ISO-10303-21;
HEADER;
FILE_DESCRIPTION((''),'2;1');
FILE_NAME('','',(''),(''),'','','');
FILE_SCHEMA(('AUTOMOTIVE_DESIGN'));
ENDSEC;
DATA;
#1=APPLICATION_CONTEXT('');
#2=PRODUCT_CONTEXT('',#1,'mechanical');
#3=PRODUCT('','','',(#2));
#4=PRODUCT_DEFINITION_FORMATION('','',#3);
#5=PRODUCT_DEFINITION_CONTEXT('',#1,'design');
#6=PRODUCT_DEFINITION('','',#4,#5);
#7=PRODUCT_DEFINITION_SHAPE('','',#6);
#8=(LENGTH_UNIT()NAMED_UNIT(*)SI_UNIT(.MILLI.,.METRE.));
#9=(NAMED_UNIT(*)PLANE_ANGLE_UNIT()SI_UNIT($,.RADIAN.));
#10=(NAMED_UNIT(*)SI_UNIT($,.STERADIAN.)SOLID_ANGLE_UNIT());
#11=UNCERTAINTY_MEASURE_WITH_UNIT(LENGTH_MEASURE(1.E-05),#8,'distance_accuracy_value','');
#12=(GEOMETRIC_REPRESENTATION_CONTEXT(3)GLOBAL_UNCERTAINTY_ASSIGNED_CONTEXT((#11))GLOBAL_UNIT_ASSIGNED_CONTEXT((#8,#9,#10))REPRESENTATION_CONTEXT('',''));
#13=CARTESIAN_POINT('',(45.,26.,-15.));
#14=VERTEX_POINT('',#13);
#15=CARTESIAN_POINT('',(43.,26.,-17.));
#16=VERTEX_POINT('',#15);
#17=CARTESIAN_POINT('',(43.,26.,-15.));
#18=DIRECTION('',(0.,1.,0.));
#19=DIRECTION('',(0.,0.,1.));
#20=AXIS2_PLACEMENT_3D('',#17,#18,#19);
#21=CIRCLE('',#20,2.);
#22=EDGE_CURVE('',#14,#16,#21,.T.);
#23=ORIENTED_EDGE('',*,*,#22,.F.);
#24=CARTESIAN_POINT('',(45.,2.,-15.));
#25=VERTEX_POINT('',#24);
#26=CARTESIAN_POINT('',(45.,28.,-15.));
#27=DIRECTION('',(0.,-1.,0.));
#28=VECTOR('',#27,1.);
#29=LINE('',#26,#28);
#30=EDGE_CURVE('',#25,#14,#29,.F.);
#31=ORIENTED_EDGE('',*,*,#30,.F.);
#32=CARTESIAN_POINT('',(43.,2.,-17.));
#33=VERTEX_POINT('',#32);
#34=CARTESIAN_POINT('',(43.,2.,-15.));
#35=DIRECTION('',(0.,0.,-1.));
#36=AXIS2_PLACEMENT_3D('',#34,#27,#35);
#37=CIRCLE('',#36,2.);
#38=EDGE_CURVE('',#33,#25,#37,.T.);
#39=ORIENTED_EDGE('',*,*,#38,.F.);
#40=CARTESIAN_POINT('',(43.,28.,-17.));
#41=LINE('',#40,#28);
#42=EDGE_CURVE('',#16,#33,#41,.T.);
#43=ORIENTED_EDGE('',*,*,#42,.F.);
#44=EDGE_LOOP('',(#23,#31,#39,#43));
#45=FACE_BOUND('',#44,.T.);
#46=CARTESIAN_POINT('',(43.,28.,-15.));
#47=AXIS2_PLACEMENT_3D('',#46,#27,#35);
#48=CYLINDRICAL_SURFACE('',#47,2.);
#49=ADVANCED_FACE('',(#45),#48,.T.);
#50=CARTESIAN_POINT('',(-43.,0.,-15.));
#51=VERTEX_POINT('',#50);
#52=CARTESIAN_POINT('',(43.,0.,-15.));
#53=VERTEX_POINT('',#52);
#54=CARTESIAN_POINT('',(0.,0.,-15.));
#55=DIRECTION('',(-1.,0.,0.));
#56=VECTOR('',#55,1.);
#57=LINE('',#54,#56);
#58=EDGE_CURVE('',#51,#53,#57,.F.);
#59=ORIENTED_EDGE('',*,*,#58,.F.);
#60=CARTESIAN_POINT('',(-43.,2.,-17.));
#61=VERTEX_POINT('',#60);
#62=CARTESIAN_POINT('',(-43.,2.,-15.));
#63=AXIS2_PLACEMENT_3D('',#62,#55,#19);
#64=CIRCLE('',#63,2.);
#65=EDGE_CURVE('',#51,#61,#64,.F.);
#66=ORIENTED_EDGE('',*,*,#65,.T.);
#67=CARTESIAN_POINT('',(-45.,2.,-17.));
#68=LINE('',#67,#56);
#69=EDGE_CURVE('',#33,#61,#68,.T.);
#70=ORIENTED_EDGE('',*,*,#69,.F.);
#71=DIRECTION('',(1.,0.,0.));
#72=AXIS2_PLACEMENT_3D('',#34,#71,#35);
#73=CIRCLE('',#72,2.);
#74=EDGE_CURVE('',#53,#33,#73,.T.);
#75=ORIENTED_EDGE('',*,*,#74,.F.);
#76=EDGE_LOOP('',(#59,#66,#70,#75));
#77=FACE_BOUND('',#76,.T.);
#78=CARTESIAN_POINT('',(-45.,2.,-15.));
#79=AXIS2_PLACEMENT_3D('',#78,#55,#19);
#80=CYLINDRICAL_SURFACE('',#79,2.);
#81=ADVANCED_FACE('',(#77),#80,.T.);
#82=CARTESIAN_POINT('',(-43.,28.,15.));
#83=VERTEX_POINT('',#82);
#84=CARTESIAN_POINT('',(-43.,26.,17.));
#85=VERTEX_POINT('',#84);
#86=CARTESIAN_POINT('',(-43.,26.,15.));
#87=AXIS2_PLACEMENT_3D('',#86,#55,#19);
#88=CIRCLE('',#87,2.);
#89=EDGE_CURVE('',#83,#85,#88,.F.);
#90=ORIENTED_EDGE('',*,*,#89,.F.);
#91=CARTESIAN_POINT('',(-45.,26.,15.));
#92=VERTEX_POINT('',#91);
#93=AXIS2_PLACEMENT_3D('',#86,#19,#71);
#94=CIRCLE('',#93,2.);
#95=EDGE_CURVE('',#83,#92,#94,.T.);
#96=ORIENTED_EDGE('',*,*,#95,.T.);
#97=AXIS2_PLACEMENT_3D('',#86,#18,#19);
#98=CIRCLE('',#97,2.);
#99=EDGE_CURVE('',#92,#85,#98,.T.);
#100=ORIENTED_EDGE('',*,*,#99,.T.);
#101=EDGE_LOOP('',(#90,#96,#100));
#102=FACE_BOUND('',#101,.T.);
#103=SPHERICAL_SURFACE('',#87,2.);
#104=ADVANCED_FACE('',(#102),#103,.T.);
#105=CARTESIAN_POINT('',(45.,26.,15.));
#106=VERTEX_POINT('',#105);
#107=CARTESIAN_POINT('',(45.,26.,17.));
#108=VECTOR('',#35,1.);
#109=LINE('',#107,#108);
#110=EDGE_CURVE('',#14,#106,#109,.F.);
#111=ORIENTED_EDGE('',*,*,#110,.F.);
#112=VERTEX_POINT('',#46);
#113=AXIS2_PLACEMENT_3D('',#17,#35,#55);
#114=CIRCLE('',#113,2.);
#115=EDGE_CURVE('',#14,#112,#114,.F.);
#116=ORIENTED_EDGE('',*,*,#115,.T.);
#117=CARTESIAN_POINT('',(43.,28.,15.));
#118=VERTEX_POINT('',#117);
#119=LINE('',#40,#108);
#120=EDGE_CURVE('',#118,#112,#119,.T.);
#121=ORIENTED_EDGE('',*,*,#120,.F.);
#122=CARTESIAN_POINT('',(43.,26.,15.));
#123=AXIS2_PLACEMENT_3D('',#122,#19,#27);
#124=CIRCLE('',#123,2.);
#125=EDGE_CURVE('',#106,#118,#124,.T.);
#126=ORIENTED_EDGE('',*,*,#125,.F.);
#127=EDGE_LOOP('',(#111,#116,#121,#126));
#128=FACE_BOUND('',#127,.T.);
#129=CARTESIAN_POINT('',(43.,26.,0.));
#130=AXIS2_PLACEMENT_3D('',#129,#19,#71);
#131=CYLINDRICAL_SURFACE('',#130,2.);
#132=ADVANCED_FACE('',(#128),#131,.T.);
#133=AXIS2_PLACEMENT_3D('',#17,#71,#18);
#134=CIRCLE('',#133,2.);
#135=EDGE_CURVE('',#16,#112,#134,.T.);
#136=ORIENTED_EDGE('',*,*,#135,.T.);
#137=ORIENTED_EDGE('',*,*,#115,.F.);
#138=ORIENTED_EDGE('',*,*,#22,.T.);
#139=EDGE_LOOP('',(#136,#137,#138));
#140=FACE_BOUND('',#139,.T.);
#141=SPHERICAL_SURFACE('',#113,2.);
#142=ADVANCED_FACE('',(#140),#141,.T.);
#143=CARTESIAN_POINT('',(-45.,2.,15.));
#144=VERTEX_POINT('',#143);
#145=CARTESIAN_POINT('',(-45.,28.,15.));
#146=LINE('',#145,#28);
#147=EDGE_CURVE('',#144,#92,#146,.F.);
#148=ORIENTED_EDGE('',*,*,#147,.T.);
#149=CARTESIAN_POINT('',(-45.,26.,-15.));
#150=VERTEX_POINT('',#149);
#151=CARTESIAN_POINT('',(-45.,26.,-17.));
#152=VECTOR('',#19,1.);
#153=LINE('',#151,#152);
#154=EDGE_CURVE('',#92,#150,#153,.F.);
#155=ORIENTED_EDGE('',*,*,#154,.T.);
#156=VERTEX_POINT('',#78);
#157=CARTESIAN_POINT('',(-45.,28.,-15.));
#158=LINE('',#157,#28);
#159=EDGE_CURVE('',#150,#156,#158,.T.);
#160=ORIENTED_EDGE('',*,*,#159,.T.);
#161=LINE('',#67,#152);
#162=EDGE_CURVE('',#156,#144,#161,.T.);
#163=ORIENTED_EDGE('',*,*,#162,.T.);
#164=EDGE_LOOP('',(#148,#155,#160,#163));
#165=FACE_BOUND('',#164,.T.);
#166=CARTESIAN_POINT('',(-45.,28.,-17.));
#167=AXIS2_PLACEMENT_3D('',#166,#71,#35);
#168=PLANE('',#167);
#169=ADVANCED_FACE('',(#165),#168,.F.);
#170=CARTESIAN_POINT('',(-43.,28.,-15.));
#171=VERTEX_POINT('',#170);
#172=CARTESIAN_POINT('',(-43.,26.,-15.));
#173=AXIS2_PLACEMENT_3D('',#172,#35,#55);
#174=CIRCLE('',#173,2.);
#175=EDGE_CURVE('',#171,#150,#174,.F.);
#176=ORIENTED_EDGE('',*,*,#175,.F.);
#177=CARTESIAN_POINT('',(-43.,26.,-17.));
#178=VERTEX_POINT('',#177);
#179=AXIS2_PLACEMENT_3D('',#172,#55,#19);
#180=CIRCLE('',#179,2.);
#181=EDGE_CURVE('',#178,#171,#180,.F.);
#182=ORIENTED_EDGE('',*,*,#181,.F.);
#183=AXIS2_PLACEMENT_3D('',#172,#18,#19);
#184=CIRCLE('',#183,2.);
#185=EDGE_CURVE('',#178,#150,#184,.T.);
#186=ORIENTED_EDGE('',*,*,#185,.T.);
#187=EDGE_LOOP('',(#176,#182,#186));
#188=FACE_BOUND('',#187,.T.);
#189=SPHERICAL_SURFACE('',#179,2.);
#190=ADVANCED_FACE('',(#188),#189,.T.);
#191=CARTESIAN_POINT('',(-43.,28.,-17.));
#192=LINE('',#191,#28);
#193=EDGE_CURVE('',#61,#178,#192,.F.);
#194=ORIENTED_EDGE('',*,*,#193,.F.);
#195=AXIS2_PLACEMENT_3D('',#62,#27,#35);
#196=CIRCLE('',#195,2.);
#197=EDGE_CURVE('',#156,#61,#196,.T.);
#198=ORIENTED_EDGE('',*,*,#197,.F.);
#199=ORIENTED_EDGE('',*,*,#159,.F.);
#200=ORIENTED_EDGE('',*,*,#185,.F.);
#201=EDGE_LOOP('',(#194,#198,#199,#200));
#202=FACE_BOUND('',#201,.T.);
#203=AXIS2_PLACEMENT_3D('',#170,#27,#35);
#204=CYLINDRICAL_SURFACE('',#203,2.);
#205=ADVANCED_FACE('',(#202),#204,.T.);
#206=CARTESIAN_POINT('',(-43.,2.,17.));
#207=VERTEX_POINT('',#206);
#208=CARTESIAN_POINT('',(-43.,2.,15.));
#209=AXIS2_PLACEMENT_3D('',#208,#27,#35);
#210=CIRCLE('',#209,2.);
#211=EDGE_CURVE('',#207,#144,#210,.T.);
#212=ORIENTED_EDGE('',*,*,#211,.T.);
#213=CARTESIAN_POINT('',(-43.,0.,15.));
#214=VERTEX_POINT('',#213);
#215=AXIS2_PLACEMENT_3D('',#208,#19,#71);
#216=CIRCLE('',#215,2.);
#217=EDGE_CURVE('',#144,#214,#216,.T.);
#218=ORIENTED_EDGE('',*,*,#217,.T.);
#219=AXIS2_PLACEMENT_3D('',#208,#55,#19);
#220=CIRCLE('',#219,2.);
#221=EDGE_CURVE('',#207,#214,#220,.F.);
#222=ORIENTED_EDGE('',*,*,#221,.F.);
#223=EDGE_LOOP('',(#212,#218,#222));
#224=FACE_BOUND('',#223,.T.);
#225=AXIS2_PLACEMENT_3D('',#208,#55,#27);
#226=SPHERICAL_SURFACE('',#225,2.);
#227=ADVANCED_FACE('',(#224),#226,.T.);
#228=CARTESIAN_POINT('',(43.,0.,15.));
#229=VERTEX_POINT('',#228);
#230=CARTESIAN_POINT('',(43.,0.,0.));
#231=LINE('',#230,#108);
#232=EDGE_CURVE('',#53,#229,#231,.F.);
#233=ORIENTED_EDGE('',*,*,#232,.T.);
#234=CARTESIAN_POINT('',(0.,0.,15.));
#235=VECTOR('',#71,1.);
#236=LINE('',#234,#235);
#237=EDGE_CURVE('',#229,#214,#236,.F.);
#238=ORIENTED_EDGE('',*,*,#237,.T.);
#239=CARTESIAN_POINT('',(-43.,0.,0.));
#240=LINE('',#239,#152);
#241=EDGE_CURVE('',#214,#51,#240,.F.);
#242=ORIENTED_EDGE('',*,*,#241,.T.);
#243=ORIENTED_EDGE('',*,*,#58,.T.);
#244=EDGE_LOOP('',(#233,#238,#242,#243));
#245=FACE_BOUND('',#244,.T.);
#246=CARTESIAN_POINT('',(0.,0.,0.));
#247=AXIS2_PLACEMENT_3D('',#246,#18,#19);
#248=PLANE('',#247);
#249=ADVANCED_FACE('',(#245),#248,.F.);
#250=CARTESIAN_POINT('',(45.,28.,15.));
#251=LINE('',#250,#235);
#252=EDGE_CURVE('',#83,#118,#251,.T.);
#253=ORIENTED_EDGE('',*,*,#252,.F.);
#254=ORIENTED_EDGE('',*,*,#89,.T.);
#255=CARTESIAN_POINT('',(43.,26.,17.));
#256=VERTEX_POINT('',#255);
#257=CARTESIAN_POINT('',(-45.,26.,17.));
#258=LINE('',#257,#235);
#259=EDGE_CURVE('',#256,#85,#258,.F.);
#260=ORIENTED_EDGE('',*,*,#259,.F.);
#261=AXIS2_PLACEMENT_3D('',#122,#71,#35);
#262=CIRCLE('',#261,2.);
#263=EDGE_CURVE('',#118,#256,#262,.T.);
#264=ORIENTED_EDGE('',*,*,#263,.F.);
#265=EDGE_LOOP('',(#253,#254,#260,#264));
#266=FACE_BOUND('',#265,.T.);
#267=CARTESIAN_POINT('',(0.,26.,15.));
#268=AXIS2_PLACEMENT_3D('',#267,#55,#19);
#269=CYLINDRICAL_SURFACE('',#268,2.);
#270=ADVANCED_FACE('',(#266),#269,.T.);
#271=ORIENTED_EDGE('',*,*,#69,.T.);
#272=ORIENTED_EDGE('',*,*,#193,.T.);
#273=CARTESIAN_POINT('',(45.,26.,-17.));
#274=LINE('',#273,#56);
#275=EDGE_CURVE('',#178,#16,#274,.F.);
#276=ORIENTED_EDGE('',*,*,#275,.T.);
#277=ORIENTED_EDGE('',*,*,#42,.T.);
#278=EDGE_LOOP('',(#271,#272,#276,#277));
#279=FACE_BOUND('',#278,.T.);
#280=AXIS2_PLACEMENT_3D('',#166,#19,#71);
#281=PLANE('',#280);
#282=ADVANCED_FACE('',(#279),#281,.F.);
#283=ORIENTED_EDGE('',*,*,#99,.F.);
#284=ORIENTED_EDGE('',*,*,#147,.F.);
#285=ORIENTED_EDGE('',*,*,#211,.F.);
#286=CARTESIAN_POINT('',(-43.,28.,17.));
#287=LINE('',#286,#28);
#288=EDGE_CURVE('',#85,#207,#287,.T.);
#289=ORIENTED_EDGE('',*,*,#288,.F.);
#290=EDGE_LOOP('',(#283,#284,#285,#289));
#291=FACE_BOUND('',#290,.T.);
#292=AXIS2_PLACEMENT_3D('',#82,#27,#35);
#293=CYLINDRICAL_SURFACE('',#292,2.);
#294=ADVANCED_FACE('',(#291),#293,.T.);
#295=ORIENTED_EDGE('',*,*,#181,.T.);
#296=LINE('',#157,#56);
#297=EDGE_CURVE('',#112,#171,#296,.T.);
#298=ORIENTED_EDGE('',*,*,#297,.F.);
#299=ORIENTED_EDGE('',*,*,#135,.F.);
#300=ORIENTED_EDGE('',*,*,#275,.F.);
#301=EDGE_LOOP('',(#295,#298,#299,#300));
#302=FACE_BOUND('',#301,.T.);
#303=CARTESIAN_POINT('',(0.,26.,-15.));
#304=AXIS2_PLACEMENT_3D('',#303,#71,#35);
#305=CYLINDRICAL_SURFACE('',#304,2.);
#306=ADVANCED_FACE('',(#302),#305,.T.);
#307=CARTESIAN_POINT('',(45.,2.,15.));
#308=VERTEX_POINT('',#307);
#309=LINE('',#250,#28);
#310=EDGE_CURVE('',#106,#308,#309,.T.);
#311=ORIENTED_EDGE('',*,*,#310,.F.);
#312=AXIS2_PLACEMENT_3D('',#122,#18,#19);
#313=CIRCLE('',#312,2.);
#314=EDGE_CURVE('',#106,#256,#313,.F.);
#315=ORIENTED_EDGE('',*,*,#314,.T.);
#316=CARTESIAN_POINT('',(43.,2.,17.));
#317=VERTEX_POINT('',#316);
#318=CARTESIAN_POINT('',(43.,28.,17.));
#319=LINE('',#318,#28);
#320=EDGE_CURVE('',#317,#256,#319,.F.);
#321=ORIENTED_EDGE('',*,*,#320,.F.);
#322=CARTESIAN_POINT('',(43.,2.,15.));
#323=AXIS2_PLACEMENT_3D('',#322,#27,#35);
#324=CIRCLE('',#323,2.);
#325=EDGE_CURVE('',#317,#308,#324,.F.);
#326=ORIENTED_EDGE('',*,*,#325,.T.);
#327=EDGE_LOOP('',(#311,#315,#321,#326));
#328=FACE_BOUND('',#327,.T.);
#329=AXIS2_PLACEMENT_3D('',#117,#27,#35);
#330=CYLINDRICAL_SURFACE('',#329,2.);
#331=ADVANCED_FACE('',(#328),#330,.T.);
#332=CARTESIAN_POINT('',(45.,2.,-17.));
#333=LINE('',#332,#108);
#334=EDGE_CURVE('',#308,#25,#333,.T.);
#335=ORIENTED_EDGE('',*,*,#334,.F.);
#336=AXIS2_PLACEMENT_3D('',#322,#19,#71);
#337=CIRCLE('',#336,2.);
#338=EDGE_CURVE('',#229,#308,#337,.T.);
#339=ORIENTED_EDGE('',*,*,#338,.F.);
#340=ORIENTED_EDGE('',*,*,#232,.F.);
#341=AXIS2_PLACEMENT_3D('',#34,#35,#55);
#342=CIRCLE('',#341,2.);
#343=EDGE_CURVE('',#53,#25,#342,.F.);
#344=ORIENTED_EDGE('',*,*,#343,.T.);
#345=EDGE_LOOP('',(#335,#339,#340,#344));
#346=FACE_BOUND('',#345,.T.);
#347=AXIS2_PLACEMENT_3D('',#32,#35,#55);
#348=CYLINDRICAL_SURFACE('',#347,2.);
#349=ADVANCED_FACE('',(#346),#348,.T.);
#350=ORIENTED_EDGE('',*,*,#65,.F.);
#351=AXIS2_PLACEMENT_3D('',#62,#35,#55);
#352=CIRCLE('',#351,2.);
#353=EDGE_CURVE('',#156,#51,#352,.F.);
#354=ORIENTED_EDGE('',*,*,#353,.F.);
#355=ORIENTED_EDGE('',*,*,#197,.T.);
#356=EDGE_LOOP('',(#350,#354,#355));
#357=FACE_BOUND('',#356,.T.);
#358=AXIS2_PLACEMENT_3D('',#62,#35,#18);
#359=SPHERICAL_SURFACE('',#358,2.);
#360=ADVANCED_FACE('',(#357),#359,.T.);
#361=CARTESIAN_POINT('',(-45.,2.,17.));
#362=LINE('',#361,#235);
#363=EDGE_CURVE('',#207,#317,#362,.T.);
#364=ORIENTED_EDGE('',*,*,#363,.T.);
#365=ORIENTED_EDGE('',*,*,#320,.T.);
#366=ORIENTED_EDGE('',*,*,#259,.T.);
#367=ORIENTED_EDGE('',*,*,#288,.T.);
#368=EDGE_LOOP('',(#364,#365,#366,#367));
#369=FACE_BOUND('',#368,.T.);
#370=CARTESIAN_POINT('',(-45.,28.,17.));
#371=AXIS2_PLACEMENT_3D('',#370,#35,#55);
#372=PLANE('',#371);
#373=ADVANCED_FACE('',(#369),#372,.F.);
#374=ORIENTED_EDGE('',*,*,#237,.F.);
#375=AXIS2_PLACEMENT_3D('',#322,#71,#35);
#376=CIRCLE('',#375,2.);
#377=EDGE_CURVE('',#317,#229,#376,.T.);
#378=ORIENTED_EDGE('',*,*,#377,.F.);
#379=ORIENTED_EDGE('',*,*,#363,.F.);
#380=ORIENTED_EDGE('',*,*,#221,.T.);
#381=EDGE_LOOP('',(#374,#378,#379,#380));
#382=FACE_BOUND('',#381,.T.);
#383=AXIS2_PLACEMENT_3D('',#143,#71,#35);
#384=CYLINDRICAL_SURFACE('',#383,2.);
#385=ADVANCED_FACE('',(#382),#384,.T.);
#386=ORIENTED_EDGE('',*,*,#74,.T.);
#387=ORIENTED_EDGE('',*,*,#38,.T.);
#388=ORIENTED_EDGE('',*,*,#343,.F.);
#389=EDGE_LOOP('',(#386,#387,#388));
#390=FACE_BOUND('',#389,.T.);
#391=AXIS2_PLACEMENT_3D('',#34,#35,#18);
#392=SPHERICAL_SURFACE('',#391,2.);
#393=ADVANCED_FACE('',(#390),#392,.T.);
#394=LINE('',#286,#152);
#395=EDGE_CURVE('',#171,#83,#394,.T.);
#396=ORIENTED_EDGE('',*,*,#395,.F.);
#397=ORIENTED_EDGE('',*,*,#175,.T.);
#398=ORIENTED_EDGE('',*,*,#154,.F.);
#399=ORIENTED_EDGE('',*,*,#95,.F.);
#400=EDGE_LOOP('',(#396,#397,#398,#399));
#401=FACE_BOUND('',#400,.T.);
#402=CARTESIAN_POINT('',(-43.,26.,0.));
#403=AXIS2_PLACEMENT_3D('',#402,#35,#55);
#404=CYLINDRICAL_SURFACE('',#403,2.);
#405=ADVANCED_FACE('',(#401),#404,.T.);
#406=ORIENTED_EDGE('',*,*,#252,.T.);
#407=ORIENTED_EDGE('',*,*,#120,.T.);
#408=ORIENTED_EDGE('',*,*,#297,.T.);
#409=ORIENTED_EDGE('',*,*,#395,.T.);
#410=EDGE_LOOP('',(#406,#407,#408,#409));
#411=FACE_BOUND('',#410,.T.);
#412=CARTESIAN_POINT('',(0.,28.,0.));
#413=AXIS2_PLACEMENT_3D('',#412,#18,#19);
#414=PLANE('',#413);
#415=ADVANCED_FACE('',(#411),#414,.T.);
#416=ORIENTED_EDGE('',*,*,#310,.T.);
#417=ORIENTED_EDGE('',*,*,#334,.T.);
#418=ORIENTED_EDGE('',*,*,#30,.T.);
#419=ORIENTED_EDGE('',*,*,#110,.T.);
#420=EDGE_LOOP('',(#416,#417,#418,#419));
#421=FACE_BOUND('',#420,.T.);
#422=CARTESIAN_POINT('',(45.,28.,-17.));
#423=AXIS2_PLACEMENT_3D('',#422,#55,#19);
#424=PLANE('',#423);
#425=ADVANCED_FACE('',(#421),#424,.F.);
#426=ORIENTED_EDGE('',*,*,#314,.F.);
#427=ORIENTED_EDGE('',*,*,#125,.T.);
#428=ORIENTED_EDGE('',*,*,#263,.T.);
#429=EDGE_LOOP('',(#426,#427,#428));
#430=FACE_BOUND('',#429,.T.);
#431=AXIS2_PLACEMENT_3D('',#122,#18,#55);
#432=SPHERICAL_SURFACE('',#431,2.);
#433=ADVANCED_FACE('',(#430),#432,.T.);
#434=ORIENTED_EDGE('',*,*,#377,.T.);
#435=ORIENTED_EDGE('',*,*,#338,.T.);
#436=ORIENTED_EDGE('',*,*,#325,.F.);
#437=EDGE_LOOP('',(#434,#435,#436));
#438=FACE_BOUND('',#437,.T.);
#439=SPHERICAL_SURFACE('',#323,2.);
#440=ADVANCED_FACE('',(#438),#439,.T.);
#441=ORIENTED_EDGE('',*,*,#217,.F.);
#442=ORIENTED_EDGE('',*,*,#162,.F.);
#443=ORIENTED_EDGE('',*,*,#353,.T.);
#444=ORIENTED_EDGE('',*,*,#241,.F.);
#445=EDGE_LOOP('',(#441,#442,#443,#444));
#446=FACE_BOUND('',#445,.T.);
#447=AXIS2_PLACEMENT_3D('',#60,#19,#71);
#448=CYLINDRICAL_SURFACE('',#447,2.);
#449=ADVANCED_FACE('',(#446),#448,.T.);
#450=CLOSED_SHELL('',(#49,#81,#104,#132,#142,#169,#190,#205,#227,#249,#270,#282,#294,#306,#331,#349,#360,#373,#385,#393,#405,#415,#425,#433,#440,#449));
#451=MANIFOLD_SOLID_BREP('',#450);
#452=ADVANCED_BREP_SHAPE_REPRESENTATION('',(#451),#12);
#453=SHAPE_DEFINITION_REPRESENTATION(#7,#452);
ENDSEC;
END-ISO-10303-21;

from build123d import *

# Parameters (mm, degrees)
SKETCH1_W           = 90
SKETCH1_H           = 34
BOSS_EXTRUDE1_DEPTH = 28
FILLET1_R           = 2


with BuildPart() as part:
    # Sketch1 → Boss-Extrude1 (new body)
    with BuildSketch(Plane(origin=(0, 0, 0), x_dir=(1, 0, 0), z_dir=(0, 1, 0))):
        Rectangle(SKETCH1_W, SKETCH1_H)
    extrude(amount=BOSS_EXTRUDE1_DEPTH)

    # Fillet1
    fillet1_edges = [part.edges().sort_by_distance(p)[0] for p in [
        (-45, 28, 0),
        (0, 28, 17),
        (45, 28, 0),
        (0, 0, 17),
        (-45, 0, 0),
        (0, 0, -17),
        (45, 0, 0),
        (45, 14, 17),
        (-45, 14, 17),
        (-45, 14, -17),
        (45, 14, -17),
        (0, 28, -17),
    ]]
    fillet(fillet1_edges, radius=FILLET1_R)


solid = part.part
